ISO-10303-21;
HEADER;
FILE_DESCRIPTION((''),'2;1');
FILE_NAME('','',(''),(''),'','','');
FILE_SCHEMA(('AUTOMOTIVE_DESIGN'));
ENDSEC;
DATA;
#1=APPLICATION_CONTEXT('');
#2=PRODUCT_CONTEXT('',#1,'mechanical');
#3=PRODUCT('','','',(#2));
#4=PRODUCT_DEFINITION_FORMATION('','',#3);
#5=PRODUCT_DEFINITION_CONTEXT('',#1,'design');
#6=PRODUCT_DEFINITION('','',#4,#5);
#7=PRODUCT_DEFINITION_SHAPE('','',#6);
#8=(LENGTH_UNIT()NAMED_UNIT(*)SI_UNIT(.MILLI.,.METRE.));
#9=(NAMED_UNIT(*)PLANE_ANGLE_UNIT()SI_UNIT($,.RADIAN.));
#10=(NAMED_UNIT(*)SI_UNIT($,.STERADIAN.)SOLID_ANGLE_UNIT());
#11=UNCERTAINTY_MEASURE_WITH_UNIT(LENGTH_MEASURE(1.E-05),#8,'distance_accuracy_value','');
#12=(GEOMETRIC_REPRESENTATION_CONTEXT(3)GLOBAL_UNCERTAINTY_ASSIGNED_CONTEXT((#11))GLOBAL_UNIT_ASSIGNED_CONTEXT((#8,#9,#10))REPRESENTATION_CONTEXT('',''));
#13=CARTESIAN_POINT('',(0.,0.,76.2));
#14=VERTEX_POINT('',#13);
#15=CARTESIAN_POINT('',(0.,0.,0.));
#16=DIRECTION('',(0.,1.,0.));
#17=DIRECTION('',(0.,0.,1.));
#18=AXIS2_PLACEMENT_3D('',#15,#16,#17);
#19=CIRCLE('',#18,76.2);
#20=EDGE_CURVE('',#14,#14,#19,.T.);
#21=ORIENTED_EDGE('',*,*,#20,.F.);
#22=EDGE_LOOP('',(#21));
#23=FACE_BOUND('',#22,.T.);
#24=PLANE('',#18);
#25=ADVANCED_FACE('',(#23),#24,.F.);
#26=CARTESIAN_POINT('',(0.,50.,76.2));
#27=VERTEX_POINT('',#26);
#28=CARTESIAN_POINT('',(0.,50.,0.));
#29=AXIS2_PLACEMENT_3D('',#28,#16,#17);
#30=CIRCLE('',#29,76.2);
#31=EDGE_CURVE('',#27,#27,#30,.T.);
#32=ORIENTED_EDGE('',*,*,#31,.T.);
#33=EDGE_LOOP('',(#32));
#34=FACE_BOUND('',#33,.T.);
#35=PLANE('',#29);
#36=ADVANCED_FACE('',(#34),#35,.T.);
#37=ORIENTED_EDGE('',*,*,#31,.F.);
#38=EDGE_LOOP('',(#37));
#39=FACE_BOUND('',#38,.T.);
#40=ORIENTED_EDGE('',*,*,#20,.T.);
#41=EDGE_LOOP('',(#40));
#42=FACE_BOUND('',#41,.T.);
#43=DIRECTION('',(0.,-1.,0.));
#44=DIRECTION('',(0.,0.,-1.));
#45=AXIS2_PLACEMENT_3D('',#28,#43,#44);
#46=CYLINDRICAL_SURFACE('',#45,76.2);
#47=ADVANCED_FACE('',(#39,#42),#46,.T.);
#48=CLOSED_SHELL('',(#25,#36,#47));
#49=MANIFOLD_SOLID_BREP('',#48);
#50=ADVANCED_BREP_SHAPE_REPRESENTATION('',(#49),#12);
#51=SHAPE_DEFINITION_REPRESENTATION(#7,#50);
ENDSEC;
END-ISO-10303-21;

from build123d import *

# Parameters (mm, degrees)
SKETCH1_R           = 76.2
BOSS_EXTRUDE1_DEPTH = 50


with BuildPart() as part:
    # Sketch1 → Boss-Extrude1 (new body)
    with BuildSketch(Plane(origin=(0, 0, 0), x_dir=(1, 0, 0), z_dir=(0, 1, 0))):
        with Locations(Location((0, 0, 0), (0, 0, 270))):
            Circle(SKETCH1_R)
    extrude(amount=BOSS_EXTRUDE1_DEPTH)


solid = part.part
